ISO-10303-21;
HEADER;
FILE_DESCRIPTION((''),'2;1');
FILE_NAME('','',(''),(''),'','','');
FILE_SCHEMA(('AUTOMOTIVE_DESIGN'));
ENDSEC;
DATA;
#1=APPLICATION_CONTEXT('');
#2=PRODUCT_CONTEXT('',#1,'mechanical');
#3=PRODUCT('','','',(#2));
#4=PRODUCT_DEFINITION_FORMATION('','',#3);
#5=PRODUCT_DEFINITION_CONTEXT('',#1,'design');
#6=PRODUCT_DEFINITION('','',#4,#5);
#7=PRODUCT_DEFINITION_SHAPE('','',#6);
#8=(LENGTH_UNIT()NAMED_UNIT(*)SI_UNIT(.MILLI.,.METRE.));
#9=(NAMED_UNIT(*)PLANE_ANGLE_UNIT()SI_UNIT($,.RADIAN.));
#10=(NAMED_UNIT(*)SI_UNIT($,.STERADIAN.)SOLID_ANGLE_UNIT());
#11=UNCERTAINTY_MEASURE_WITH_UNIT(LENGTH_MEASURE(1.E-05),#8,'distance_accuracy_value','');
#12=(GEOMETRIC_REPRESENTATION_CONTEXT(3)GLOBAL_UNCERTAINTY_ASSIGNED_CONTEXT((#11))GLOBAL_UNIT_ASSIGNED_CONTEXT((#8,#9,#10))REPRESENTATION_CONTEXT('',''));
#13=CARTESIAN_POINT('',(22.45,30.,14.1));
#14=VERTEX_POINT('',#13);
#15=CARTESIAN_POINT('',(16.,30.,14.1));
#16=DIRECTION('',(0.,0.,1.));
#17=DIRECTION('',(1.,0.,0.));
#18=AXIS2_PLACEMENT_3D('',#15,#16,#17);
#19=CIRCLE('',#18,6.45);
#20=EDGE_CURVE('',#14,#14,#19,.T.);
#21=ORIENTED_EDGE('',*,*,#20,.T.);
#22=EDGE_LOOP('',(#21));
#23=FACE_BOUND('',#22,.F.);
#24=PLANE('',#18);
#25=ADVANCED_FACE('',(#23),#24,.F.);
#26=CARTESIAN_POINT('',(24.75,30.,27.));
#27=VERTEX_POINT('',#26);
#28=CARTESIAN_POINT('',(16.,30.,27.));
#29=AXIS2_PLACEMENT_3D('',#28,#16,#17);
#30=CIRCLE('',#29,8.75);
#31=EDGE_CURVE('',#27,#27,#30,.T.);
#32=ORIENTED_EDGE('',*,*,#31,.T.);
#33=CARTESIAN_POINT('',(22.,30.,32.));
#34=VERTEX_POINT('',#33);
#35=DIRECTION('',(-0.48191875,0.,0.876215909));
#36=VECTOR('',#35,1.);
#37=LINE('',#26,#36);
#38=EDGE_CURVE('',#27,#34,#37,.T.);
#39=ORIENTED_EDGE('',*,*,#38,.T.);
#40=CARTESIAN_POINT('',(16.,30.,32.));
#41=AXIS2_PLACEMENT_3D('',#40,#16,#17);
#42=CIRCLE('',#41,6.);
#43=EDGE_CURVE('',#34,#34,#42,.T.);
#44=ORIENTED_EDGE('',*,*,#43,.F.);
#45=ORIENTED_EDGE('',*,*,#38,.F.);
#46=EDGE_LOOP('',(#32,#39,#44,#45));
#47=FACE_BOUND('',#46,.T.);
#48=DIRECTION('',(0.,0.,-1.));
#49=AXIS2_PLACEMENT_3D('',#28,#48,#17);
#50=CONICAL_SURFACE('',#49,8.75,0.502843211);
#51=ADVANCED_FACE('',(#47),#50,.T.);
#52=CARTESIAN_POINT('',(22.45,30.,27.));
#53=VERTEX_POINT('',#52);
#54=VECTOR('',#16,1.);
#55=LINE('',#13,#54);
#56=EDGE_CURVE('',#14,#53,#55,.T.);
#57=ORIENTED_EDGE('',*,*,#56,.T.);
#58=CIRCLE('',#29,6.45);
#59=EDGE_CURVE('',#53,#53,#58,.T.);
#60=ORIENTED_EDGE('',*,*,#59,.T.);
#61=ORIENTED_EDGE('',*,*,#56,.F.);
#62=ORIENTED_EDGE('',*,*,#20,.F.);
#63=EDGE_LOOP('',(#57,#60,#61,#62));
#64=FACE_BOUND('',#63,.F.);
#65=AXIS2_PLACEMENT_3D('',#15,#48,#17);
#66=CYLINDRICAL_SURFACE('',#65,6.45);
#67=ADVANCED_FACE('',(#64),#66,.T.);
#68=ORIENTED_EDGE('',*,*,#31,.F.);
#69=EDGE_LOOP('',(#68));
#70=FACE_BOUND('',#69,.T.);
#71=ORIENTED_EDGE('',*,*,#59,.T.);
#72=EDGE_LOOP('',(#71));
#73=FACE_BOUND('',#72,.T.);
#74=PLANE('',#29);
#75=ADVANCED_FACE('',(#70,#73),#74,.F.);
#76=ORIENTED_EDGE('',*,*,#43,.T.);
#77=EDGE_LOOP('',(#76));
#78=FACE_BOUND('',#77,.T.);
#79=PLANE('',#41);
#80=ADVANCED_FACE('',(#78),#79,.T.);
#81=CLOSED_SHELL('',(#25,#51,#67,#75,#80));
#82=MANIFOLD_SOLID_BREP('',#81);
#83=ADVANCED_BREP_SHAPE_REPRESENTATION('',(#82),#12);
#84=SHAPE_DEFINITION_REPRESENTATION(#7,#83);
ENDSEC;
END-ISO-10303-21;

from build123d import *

# Parameters (mm, degrees)
CYLINDER_R     = 6.45
CYLINDER_DEPTH = 12.9


with BuildPart() as cone:
    # Cone → Cone (revolve)
    with BuildSketch(Plane.XZ):
        Polygon((0, 0), (8.75, 0), (6, 5), (0, 5), align=None)
    revolve(axis=Axis((0, 0, 0), (0, 0, 1)))


with BuildPart() as button:
    # Cylinder → Cylinder (new body)
    with BuildSketch(Plane.XY.offset(-12.9)):
        Circle(CYLINDER_R)
    extrude(amount=CYLINDER_DEPTH)

    # Fusion: union Cone
    add(cone.part)


with BuildPart() as button_1:
    # Fusion placement: moved
    add(button.part.moved(Location((16, 30, 27))))


solid = button_1.part
